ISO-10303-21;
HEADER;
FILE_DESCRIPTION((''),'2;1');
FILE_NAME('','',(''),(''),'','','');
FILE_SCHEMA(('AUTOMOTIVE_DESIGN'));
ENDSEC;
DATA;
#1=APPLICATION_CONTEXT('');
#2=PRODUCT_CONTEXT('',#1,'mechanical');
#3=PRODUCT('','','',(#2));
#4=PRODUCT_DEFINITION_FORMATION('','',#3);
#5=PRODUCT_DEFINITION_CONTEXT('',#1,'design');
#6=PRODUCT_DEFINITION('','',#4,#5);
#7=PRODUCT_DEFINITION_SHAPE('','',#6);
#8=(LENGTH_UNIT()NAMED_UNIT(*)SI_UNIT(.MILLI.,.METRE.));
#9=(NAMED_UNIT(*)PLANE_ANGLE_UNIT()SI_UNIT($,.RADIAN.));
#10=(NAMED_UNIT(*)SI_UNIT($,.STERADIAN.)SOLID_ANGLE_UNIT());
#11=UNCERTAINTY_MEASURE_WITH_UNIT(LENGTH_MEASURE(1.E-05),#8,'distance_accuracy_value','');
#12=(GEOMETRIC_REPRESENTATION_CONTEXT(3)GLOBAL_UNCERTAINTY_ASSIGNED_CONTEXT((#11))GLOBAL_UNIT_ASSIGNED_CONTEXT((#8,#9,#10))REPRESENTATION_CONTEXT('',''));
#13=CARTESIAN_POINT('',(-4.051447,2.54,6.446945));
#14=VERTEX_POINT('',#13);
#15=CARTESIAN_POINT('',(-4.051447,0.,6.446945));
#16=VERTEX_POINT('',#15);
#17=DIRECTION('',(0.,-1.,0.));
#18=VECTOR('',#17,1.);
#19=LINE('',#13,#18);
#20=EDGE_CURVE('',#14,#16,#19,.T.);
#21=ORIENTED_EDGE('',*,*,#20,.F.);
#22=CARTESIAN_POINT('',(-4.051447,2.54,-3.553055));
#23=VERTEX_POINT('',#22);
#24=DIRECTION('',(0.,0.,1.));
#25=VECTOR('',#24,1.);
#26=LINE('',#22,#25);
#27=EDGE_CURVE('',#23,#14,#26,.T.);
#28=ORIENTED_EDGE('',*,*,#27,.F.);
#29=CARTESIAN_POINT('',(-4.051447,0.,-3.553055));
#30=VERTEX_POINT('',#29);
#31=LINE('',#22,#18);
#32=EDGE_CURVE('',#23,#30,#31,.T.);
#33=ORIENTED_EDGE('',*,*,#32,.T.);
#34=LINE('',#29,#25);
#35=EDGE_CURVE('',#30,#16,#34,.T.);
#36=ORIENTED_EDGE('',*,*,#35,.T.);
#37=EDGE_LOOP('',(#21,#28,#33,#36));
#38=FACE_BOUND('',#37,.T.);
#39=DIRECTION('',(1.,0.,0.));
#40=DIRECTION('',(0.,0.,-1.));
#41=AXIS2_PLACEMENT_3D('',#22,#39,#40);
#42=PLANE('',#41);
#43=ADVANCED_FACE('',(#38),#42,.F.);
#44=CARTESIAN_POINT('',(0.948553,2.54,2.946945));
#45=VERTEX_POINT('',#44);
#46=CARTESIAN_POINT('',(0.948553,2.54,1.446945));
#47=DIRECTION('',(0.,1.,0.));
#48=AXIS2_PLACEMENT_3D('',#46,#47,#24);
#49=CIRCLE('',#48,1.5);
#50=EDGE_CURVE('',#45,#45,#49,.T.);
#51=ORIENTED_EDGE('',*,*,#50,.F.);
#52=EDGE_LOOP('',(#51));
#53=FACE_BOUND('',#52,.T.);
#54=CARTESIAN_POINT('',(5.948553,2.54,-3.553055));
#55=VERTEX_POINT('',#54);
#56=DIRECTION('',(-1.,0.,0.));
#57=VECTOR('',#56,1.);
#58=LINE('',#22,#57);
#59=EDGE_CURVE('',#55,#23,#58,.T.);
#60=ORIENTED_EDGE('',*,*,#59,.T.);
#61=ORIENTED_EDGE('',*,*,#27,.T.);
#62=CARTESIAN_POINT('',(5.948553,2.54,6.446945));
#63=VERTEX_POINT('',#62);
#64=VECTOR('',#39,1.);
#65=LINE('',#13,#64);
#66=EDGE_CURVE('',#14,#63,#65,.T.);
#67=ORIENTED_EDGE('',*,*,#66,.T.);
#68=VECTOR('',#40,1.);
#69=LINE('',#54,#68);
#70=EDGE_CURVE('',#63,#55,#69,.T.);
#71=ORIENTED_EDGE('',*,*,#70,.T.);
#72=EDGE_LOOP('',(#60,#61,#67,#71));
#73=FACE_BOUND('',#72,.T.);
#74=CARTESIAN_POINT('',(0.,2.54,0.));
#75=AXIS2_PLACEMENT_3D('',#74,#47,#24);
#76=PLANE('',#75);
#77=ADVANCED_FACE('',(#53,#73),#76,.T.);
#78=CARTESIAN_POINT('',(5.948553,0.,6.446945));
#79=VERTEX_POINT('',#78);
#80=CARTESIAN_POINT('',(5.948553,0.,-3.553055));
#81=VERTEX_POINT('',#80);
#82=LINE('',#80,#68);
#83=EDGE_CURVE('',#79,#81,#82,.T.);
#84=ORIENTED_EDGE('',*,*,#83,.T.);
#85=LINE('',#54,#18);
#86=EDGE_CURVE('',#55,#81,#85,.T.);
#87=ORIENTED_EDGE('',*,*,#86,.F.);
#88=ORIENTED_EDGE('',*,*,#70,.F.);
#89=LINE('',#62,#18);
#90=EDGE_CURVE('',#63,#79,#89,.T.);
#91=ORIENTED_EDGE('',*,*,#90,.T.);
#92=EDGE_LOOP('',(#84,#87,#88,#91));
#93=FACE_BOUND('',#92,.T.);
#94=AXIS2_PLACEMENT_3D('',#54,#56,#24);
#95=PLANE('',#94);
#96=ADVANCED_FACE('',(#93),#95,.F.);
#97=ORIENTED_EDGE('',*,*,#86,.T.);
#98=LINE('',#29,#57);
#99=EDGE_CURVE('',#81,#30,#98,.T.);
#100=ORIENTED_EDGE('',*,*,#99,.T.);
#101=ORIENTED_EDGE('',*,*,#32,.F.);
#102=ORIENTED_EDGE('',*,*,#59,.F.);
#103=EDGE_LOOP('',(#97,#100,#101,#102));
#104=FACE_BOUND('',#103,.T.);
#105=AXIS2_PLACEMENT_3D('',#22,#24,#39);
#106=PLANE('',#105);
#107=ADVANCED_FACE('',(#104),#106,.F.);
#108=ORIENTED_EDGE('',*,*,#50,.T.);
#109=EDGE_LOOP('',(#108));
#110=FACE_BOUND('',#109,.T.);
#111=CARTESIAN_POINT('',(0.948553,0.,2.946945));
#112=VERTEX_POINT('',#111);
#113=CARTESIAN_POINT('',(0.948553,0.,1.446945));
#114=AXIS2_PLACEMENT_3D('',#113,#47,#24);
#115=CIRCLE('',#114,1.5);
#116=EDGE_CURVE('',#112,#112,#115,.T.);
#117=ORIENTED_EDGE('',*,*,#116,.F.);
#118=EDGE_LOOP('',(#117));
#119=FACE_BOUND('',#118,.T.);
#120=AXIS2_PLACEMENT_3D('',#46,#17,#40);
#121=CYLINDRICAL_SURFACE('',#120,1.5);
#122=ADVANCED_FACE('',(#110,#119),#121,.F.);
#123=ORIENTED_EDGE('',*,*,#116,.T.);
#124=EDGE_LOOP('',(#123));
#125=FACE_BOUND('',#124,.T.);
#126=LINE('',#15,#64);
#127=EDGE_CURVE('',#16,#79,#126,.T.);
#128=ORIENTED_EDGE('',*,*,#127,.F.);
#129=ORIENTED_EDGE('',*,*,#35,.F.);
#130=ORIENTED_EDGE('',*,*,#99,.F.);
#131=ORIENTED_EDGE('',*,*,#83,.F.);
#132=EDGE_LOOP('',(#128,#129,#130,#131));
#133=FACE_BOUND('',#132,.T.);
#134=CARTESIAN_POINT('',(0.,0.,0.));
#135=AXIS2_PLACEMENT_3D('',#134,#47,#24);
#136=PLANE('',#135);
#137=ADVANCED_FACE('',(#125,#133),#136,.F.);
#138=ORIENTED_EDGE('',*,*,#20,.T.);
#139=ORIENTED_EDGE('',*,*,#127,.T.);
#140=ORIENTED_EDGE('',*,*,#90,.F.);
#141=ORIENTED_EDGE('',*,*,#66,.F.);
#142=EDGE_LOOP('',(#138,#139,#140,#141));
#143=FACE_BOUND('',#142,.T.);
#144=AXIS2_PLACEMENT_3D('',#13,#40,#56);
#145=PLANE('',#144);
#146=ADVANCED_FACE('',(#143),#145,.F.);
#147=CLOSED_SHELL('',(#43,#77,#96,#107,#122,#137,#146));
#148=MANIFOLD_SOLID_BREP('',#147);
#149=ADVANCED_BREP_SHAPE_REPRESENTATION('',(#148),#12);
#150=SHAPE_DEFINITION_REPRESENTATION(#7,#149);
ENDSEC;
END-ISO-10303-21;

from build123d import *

# Parameters (mm, degrees)
SKETCH1_W           = 10
SKETCH1_H           = 10
SKETCH1_R           = 1.5
BOSS_EXTRUDE1_DEPTH = 2.54


with BuildPart() as part:
    # Sketch1 → Boss-Extrude1 (new body)
    with BuildSketch(Plane(origin=(0, 0, 0), x_dir=(1, 0, 0), z_dir=(0, 1, 0))):
        with Locations((0.948553055, -1.446945338)):
            Rectangle(SKETCH1_W, SKETCH1_H)
        with Locations((0.948553055, -1.446945338)):
            Circle(SKETCH1_R, mode=Mode.SUBTRACT)
    extrude(amount=BOSS_EXTRUDE1_DEPTH)


solid = part.part
